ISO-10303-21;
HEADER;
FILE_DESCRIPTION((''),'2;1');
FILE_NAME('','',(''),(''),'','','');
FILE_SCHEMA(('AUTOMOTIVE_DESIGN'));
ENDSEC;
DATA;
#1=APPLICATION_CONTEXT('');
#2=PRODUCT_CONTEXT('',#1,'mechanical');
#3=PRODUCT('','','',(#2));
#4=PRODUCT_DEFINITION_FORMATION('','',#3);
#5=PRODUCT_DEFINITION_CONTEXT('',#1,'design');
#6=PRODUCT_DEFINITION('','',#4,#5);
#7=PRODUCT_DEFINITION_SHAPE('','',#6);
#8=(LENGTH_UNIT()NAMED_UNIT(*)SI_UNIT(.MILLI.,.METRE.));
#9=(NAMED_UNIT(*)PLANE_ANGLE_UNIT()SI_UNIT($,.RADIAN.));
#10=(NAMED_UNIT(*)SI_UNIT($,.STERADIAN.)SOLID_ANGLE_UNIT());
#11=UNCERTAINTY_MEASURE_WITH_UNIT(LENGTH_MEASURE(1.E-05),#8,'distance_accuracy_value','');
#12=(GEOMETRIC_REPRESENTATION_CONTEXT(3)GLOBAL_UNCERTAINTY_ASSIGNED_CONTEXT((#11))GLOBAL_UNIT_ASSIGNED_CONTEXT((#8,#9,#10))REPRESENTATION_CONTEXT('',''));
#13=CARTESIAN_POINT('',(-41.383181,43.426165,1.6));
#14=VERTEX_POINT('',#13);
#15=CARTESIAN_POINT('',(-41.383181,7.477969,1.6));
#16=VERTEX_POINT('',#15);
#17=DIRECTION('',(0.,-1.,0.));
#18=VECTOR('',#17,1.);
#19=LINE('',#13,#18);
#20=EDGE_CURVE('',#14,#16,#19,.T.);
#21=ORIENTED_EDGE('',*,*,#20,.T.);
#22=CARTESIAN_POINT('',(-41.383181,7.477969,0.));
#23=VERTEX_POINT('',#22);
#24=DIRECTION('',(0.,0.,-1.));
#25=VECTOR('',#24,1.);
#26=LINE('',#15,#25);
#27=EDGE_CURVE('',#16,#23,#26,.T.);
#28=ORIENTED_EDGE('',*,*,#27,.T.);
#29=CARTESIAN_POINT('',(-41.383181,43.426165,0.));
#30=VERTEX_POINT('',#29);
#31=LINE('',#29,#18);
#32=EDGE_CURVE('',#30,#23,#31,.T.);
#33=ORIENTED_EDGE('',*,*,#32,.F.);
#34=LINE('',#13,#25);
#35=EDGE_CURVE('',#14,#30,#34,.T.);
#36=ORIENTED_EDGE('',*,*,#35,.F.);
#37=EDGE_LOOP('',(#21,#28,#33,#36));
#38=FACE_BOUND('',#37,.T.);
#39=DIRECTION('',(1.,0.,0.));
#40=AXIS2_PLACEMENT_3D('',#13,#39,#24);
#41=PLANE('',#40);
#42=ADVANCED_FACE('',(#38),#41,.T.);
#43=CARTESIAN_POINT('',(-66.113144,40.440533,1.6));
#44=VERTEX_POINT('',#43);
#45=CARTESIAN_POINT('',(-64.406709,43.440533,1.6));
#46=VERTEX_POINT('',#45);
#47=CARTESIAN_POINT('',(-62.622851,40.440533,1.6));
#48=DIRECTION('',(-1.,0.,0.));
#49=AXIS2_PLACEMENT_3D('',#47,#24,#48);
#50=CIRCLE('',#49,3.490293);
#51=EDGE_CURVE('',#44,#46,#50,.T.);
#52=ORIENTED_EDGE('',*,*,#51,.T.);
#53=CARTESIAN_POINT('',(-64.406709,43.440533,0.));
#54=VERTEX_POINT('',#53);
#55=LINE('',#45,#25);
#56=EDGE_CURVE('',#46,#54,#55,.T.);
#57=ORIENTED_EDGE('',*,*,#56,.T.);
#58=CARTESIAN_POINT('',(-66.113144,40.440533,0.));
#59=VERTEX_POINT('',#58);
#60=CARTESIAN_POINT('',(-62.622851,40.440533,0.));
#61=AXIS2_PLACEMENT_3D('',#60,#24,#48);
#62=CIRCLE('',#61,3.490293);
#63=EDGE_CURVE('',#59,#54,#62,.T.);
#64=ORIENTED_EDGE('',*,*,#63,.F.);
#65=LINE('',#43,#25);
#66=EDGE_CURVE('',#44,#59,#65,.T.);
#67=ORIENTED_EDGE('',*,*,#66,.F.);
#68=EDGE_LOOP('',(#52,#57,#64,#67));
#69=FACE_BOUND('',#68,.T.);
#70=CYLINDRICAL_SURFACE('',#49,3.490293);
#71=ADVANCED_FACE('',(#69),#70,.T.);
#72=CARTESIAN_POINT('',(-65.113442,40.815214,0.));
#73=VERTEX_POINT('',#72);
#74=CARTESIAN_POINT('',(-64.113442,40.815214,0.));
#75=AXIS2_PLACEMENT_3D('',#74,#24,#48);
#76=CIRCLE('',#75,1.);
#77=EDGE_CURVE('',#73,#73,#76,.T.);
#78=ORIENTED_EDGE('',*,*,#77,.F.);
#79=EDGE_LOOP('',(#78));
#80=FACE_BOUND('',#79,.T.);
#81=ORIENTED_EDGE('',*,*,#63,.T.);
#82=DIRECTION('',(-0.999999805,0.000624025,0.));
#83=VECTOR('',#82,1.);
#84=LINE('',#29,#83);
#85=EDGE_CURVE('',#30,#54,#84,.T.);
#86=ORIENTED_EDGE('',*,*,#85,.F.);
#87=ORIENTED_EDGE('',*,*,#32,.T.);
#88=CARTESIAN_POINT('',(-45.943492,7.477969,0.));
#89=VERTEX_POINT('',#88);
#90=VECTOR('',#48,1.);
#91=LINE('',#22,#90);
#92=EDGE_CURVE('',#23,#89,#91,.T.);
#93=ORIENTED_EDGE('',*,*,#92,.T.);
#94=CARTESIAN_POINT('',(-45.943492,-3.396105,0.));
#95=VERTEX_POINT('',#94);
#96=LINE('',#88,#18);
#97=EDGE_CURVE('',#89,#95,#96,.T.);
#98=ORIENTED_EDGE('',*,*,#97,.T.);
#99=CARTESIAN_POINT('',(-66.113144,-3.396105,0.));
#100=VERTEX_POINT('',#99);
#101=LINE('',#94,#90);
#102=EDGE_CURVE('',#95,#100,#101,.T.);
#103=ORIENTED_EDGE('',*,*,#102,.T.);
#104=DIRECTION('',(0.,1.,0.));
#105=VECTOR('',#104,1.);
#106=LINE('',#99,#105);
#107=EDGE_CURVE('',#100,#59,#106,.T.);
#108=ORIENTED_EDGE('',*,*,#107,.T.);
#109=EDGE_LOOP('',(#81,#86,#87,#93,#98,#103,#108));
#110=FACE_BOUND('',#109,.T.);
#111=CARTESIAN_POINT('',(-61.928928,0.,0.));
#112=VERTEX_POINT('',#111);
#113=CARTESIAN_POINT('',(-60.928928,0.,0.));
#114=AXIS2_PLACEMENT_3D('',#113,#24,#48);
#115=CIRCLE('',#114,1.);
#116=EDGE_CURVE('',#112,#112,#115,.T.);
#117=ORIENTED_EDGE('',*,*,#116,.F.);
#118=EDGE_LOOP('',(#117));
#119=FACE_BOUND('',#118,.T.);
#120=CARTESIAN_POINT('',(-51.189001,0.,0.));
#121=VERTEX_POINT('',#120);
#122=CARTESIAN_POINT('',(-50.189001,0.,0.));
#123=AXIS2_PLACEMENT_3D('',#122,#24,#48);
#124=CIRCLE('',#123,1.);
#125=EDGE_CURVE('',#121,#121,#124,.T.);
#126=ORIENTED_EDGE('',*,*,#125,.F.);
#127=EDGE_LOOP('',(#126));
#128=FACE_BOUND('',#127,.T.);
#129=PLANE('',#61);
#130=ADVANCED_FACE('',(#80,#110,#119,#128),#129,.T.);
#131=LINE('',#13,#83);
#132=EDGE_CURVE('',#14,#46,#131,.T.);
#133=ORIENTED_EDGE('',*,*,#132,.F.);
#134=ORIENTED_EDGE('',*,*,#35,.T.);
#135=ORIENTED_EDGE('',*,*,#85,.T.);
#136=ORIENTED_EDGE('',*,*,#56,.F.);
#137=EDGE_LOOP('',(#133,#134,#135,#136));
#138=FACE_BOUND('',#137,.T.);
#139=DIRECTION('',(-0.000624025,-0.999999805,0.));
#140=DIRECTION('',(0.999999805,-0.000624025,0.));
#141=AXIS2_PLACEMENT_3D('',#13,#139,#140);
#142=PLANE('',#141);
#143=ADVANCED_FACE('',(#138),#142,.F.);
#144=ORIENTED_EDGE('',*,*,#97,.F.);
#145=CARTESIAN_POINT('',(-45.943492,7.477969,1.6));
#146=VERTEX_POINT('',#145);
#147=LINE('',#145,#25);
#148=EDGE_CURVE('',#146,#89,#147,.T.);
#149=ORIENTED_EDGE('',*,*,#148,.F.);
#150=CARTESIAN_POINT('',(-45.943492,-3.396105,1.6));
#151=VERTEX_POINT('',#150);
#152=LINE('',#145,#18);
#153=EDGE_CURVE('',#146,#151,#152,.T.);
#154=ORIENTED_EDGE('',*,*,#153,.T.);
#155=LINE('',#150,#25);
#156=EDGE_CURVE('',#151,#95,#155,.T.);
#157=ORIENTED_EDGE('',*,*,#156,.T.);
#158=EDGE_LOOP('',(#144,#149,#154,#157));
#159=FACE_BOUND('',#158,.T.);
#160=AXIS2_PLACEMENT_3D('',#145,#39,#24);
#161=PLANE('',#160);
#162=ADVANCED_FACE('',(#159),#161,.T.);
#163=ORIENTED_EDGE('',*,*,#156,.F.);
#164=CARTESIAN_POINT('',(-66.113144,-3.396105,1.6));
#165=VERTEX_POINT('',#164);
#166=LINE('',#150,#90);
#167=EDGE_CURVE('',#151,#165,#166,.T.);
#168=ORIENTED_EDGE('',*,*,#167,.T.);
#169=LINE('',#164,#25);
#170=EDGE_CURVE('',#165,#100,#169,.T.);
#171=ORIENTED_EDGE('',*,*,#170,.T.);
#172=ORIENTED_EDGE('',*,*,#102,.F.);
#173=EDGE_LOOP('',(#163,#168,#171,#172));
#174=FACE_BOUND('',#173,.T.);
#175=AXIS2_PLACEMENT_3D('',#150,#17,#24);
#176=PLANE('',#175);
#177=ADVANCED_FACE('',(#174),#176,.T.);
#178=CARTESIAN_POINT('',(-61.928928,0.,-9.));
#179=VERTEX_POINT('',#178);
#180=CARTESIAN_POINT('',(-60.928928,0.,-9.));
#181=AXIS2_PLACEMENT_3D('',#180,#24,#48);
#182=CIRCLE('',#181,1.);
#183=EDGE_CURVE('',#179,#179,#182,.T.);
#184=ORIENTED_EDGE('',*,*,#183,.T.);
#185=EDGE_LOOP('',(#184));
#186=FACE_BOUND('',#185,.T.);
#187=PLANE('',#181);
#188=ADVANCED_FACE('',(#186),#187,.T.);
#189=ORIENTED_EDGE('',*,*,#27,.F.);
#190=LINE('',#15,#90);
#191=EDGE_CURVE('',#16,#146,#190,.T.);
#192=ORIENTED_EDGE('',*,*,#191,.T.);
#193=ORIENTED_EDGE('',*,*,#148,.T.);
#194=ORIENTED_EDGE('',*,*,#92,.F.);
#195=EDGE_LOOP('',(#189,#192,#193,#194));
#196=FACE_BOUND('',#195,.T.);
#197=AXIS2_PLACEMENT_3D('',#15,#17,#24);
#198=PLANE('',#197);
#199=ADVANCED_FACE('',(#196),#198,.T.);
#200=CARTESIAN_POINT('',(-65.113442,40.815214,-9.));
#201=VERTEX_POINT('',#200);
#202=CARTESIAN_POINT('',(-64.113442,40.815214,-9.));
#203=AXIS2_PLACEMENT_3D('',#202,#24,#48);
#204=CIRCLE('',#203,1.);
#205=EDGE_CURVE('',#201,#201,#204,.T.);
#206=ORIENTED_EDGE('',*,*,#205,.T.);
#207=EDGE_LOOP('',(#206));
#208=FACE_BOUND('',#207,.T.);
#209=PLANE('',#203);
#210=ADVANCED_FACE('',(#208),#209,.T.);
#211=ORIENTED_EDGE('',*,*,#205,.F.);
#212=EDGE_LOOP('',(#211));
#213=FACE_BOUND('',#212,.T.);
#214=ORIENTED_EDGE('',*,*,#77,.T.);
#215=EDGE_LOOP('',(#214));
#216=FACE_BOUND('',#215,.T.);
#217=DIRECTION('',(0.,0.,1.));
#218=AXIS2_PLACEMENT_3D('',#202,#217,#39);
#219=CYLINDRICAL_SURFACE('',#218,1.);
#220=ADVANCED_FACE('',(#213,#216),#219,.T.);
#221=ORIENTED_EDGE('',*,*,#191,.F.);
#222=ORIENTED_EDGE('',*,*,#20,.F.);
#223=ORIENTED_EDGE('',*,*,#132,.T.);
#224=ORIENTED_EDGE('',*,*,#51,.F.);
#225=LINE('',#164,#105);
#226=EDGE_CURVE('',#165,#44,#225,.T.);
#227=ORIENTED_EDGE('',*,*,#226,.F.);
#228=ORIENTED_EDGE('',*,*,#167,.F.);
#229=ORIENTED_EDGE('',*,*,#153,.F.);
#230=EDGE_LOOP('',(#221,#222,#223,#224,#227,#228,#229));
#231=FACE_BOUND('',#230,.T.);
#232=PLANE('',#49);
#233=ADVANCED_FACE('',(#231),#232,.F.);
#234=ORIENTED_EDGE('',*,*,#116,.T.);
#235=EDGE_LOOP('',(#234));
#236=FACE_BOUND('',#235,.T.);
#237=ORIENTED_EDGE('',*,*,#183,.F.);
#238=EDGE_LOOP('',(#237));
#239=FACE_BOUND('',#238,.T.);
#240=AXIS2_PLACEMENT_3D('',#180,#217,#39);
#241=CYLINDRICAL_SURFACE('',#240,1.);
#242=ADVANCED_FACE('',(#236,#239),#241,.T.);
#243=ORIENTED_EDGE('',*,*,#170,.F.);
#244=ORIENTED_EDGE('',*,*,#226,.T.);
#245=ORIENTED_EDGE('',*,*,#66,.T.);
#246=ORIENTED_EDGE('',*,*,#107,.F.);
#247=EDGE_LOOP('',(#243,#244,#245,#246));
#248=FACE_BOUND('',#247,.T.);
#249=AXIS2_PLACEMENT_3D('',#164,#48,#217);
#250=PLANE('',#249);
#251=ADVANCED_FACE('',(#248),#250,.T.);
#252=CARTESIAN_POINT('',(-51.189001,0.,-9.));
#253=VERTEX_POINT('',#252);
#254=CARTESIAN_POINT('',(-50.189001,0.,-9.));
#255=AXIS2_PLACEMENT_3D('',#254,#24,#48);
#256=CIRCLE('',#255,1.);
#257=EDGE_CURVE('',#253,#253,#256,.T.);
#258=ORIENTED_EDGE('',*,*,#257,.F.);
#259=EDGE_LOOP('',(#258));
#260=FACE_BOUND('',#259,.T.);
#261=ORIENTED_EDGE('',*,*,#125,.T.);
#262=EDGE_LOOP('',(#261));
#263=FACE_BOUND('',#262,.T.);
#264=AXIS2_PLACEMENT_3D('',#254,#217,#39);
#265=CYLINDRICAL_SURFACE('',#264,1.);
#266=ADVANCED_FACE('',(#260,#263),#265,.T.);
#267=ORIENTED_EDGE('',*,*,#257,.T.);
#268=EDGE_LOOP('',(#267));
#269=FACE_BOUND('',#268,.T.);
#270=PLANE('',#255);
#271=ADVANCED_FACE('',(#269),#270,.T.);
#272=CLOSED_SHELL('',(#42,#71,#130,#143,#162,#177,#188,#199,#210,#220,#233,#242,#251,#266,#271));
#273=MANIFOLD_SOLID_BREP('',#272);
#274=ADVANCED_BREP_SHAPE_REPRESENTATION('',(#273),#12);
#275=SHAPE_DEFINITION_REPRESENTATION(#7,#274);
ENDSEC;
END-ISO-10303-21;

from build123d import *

# Parameters (mm, degrees)
BOSS_EXTRUDE1_DEPTH = 1.6
SKETCH3_R           = 1
BOSS_EXTRUDE2_DEPTH = 9


with BuildPart() as part:
    # Sketch1 → Boss-Extrude1 (new body)
    with BuildSketch(Plane.XY):
        with BuildLine():
            Line((-41.383181355, 43.426165336), (-41.383181355, 7.477968892))
            Line((-41.383181355, 7.477968892), (-45.94349159, 7.477968892))
            Line((-45.94349159, 7.477968892), (-45.94349159, -3.396104602))
            Line((-45.94349159, -3.396104602), (-66.113144039, -3.396104602))
            Line((-66.113144039, -3.396104602), (-66.113144039, 40.440533192))
            ThreePointArc((-66.113144039, 40.440533192), (-65.656687939, 42.166215415), (-64.406709132, 43.4405326))
            Line((-64.406709132, 43.4405326), (-41.383181355, 43.426165336))
        make_face()
    extrude(amount=BOSS_EXTRUDE1_DEPTH)

    # Sketch3 → Boss-Extrude2 (add)
    with BuildSketch(Plane(origin=(0, 0, 0), x_dir=(-1, 0, 0), z_dir=(0, 0, -1))):
        with Locations((50.189000543, 0)):
            Circle(SKETCH3_R)
        with Locations((60.928928446, 0)):
            Circle(SKETCH3_R)
        with Locations((64.113441952, 40.81521395)):
            Circle(SKETCH3_R)
    extrude(amount=BOSS_EXTRUDE2_DEPTH)


solid = part.part
